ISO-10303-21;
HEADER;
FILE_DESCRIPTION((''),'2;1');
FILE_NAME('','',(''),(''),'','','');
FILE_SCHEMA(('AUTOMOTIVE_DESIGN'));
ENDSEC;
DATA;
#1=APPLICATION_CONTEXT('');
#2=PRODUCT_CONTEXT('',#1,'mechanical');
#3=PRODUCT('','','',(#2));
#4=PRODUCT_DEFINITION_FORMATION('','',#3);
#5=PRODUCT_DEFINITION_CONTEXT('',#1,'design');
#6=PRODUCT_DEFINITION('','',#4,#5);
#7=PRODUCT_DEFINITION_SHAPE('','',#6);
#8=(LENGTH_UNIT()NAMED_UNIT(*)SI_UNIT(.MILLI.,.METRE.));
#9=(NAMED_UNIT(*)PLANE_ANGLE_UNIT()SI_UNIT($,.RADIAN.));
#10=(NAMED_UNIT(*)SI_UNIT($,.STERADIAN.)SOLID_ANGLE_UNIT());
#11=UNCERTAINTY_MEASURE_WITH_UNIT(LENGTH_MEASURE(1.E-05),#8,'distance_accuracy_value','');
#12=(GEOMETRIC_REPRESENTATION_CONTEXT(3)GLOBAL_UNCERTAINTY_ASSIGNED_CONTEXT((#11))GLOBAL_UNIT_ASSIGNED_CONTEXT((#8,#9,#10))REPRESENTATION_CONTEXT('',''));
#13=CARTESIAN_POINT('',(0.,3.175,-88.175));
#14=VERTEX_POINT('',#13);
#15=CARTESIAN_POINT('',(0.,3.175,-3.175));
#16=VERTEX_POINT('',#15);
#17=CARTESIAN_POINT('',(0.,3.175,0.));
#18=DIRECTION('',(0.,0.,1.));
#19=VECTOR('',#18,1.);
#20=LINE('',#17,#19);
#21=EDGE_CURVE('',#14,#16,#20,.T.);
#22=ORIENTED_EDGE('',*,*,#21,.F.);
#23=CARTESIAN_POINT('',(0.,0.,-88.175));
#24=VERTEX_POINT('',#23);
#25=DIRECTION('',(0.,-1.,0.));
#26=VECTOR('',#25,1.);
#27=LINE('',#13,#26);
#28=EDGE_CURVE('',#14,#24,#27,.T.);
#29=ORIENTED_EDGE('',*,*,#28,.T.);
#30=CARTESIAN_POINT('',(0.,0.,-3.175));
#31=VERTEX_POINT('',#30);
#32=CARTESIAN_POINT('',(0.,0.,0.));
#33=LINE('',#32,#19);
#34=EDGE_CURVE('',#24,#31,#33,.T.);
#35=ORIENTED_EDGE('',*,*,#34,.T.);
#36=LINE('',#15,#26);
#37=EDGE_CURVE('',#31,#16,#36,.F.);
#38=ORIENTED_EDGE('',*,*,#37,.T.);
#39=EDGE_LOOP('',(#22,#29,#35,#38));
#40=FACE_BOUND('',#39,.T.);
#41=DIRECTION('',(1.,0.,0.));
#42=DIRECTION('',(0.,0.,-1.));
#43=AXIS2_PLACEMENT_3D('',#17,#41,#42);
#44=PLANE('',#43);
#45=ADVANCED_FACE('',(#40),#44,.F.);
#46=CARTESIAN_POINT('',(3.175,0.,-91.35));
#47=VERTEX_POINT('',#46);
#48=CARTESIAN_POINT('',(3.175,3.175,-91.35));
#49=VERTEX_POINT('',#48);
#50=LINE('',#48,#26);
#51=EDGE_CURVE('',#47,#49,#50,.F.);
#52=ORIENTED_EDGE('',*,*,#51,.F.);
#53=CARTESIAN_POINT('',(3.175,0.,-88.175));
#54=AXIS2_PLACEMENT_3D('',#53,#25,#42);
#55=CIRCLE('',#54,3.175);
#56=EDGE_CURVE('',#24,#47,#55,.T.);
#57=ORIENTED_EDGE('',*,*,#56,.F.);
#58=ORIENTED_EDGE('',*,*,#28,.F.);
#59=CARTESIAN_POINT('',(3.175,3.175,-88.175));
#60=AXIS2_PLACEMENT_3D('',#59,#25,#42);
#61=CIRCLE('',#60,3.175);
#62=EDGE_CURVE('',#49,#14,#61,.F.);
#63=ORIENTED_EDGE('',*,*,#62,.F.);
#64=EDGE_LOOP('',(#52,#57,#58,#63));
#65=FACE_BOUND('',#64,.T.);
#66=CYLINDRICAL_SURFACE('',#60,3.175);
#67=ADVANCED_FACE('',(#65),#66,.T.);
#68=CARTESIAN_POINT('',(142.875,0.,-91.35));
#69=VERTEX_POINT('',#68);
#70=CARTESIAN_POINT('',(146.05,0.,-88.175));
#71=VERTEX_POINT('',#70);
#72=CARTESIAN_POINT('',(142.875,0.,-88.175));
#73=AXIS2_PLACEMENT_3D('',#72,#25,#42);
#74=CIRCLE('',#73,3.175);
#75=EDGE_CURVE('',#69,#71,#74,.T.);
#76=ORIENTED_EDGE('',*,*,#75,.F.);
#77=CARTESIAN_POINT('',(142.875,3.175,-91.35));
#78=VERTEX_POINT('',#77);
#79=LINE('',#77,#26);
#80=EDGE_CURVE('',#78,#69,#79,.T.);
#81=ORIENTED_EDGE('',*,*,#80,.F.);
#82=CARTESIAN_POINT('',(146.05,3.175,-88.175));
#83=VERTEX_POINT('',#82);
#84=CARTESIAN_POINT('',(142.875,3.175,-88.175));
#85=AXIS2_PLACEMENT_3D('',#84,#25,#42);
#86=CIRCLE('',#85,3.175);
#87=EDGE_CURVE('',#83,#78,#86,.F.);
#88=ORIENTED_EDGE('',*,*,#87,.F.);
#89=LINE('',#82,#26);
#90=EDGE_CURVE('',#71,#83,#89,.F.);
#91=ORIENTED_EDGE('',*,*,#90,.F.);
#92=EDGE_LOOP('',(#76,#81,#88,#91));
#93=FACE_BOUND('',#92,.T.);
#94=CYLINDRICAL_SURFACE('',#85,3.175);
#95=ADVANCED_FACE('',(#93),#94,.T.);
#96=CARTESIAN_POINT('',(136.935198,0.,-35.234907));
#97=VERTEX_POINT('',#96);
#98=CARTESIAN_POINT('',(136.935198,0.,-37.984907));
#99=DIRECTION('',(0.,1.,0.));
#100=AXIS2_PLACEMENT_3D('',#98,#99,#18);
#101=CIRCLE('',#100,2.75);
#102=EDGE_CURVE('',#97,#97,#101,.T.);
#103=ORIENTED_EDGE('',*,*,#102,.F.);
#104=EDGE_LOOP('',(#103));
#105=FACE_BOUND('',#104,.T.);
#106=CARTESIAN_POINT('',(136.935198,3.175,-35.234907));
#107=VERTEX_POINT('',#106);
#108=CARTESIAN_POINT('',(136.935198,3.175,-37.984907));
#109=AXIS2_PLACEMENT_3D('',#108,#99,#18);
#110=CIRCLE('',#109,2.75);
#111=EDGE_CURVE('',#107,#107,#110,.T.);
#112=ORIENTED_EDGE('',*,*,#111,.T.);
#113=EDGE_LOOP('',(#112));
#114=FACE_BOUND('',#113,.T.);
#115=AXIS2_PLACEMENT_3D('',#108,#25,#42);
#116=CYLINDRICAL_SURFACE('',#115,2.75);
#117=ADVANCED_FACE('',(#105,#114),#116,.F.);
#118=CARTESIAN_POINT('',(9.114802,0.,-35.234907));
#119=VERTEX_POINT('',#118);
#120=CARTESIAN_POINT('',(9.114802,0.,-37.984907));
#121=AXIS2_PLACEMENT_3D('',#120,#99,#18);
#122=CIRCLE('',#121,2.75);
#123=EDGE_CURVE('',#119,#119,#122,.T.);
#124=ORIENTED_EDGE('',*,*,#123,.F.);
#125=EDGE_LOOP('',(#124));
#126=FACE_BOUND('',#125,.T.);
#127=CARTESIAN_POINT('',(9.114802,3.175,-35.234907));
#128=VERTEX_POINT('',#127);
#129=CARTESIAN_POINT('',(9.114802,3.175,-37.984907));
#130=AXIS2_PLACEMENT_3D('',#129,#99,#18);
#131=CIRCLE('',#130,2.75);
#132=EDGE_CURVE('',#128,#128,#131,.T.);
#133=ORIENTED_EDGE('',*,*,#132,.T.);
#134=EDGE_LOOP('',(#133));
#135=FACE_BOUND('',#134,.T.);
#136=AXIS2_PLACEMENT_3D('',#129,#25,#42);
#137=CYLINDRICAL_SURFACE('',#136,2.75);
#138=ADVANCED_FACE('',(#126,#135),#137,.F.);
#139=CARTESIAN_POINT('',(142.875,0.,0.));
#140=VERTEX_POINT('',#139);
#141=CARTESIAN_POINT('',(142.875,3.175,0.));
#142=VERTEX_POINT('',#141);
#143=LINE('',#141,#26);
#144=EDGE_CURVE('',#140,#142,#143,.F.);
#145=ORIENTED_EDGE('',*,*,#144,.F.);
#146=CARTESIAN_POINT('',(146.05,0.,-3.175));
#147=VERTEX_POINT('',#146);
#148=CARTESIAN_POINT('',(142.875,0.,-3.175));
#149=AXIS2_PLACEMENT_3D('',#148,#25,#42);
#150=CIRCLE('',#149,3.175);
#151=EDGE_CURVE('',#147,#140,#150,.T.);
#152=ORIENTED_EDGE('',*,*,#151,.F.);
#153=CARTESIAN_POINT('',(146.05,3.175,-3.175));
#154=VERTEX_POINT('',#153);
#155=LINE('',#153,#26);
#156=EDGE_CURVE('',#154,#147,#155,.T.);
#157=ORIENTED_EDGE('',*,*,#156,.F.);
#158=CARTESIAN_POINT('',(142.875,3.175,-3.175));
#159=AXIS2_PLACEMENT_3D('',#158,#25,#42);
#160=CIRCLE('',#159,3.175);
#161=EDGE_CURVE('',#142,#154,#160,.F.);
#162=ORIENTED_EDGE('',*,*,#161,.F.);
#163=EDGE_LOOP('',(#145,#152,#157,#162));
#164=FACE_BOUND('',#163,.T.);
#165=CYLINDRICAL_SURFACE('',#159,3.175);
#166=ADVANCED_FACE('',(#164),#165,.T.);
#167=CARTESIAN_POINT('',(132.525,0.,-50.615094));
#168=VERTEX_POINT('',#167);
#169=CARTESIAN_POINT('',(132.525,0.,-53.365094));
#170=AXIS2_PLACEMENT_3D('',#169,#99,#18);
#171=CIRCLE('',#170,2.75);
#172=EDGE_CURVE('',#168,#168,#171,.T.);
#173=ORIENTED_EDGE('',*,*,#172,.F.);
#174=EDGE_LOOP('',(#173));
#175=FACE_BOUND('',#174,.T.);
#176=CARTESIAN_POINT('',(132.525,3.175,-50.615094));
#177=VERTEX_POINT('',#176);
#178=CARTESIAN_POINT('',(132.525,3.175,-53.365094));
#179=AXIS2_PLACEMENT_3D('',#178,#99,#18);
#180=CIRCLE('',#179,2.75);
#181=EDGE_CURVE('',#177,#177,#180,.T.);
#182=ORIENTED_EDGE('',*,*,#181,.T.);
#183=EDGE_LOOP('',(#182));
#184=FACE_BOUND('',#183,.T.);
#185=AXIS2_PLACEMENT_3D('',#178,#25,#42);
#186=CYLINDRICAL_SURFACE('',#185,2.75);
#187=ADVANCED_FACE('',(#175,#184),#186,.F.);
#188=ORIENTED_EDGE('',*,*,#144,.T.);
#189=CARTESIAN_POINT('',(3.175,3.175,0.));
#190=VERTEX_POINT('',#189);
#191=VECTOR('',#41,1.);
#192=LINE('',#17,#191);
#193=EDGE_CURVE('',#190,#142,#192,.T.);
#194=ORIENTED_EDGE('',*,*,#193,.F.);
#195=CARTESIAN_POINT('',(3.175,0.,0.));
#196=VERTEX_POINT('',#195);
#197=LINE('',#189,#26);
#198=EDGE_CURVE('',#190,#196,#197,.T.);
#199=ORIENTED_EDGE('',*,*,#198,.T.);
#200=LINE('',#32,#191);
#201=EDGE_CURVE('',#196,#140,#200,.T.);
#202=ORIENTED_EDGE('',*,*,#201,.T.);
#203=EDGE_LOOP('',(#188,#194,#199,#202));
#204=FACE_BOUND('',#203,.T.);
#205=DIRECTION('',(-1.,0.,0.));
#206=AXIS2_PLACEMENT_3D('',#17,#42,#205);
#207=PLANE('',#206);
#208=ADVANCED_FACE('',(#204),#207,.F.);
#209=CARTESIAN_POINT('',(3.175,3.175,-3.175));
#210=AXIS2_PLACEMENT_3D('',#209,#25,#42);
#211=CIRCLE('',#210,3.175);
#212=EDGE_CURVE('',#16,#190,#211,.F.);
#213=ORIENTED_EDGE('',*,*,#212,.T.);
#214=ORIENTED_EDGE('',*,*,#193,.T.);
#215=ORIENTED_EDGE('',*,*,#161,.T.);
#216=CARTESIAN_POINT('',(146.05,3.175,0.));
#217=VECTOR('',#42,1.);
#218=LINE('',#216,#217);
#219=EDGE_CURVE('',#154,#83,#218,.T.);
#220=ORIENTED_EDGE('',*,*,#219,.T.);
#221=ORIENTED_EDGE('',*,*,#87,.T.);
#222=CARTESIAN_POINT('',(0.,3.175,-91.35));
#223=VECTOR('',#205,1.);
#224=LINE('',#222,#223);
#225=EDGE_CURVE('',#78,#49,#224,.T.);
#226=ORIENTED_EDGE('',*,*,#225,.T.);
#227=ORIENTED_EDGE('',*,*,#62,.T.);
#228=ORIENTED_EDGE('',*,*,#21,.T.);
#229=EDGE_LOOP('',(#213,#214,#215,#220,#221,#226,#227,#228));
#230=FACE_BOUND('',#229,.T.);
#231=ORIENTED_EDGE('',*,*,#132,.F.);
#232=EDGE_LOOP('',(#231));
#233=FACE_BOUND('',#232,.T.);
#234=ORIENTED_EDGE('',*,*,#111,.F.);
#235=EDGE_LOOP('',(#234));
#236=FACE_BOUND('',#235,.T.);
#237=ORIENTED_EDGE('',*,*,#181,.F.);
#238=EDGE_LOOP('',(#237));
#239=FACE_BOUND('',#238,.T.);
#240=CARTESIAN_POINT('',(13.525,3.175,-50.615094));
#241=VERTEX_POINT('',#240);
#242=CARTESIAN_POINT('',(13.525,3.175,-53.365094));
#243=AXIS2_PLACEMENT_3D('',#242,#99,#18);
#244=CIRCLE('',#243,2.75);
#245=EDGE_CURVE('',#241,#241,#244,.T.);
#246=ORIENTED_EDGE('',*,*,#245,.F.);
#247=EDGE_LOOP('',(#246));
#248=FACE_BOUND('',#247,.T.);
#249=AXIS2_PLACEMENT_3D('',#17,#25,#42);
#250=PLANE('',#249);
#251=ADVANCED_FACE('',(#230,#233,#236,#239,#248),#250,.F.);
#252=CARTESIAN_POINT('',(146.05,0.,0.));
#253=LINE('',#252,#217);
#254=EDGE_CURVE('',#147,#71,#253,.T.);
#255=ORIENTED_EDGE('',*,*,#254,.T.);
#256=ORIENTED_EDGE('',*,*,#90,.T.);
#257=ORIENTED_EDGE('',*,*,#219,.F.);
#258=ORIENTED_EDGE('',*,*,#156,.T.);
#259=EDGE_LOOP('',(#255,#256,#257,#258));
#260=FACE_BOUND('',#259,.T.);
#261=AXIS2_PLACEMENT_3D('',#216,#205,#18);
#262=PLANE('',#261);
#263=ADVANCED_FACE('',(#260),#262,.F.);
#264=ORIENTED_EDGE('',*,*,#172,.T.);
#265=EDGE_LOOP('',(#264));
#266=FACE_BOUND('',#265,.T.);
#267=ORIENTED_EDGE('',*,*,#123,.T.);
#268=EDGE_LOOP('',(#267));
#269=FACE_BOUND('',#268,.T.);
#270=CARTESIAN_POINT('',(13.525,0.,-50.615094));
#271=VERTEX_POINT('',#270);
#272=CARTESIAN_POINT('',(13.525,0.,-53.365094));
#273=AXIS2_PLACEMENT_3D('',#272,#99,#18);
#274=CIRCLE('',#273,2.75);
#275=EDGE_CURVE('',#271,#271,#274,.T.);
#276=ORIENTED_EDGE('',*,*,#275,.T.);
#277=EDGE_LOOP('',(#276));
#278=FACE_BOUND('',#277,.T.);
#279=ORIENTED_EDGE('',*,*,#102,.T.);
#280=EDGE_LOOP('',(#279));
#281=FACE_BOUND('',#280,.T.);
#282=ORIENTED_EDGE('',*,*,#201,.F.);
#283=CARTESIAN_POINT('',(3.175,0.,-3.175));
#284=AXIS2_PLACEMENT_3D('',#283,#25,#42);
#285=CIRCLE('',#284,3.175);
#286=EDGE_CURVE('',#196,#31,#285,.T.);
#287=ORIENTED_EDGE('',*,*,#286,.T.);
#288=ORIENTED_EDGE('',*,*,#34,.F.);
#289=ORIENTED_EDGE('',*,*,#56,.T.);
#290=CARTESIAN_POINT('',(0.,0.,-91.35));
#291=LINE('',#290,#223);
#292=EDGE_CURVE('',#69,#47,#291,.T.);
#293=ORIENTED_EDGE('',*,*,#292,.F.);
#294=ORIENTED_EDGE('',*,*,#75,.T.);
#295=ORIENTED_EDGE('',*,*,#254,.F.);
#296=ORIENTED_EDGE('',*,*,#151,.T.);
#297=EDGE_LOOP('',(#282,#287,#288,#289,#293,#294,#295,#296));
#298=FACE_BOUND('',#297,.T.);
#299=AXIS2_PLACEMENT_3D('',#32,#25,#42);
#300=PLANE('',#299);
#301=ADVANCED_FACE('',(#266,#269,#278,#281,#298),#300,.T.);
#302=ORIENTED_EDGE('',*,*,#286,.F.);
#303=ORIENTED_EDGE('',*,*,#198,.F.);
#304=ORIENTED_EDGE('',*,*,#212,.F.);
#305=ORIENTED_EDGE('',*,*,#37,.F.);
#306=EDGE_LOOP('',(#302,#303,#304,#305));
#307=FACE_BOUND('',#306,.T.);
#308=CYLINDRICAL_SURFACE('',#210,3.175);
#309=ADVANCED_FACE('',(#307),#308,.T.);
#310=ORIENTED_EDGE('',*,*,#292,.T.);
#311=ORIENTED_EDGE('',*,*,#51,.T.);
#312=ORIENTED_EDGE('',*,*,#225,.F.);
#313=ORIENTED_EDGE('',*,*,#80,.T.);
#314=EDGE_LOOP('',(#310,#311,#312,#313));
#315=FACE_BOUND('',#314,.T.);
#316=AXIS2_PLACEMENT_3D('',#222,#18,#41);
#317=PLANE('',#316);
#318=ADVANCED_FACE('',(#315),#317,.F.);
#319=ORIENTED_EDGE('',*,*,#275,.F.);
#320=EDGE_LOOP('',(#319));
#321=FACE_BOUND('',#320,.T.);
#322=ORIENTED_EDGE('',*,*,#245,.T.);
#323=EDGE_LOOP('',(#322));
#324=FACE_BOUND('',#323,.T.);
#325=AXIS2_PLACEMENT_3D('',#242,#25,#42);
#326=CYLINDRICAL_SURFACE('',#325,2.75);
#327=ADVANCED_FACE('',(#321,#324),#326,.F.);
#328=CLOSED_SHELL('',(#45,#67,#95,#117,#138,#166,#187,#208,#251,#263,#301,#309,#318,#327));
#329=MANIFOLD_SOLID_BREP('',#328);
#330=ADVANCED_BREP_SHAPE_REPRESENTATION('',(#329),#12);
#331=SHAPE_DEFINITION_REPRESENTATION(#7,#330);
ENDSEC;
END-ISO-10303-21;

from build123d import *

# Parameters (mm, degrees)
SKETCH1_W           = 146.05
SKETCH1_H           = 91.35
SKETCH1_R           = 2.75
BOSS_EXTRUDE1_DEPTH = 3.175
FILLET1_R           = 3.175


with BuildPart() as part:
    # Sketch1 → Boss-Extrude1 (new body)
    with BuildSketch(Plane(origin=(0, 0, 0), x_dir=(1, 0, 0), z_dir=(0, 1, 0))):
        with Locations((73.025, 45.675)):
            Rectangle(SKETCH1_W, SKETCH1_H)
        with Locations(Location((13.525, 53.3650935, 0), (0, 0, 270))):
            Circle(SKETCH1_R, mode=Mode.SUBTRACT)
        with Locations(Location((9.114802, 37.9849065, 0), (0, 0, 270))):
            Circle(SKETCH1_R, mode=Mode.SUBTRACT)
        with Locations(Location((132.525, 53.3650935, 0), (0, 0, 270))):
            Circle(SKETCH1_R, mode=Mode.SUBTRACT)
        with Locations(Location((136.935198, 37.9849065, 0), (0, 0, 270))):
            Circle(SKETCH1_R, mode=Mode.SUBTRACT)
    extrude(amount=BOSS_EXTRUDE1_DEPTH)

    # Fillet1
    fillet1_edges = [part.edges().sort_by_distance(p)[0] for p in [
        (0, 1.5875, -91.35),
        (146.05, 1.5875, -91.35),
        (146.05, 1.5875, 0),
        (0, 1.5875, 0),
    ]]
    fillet(fillet1_edges, radius=FILLET1_R)


solid = part.part
